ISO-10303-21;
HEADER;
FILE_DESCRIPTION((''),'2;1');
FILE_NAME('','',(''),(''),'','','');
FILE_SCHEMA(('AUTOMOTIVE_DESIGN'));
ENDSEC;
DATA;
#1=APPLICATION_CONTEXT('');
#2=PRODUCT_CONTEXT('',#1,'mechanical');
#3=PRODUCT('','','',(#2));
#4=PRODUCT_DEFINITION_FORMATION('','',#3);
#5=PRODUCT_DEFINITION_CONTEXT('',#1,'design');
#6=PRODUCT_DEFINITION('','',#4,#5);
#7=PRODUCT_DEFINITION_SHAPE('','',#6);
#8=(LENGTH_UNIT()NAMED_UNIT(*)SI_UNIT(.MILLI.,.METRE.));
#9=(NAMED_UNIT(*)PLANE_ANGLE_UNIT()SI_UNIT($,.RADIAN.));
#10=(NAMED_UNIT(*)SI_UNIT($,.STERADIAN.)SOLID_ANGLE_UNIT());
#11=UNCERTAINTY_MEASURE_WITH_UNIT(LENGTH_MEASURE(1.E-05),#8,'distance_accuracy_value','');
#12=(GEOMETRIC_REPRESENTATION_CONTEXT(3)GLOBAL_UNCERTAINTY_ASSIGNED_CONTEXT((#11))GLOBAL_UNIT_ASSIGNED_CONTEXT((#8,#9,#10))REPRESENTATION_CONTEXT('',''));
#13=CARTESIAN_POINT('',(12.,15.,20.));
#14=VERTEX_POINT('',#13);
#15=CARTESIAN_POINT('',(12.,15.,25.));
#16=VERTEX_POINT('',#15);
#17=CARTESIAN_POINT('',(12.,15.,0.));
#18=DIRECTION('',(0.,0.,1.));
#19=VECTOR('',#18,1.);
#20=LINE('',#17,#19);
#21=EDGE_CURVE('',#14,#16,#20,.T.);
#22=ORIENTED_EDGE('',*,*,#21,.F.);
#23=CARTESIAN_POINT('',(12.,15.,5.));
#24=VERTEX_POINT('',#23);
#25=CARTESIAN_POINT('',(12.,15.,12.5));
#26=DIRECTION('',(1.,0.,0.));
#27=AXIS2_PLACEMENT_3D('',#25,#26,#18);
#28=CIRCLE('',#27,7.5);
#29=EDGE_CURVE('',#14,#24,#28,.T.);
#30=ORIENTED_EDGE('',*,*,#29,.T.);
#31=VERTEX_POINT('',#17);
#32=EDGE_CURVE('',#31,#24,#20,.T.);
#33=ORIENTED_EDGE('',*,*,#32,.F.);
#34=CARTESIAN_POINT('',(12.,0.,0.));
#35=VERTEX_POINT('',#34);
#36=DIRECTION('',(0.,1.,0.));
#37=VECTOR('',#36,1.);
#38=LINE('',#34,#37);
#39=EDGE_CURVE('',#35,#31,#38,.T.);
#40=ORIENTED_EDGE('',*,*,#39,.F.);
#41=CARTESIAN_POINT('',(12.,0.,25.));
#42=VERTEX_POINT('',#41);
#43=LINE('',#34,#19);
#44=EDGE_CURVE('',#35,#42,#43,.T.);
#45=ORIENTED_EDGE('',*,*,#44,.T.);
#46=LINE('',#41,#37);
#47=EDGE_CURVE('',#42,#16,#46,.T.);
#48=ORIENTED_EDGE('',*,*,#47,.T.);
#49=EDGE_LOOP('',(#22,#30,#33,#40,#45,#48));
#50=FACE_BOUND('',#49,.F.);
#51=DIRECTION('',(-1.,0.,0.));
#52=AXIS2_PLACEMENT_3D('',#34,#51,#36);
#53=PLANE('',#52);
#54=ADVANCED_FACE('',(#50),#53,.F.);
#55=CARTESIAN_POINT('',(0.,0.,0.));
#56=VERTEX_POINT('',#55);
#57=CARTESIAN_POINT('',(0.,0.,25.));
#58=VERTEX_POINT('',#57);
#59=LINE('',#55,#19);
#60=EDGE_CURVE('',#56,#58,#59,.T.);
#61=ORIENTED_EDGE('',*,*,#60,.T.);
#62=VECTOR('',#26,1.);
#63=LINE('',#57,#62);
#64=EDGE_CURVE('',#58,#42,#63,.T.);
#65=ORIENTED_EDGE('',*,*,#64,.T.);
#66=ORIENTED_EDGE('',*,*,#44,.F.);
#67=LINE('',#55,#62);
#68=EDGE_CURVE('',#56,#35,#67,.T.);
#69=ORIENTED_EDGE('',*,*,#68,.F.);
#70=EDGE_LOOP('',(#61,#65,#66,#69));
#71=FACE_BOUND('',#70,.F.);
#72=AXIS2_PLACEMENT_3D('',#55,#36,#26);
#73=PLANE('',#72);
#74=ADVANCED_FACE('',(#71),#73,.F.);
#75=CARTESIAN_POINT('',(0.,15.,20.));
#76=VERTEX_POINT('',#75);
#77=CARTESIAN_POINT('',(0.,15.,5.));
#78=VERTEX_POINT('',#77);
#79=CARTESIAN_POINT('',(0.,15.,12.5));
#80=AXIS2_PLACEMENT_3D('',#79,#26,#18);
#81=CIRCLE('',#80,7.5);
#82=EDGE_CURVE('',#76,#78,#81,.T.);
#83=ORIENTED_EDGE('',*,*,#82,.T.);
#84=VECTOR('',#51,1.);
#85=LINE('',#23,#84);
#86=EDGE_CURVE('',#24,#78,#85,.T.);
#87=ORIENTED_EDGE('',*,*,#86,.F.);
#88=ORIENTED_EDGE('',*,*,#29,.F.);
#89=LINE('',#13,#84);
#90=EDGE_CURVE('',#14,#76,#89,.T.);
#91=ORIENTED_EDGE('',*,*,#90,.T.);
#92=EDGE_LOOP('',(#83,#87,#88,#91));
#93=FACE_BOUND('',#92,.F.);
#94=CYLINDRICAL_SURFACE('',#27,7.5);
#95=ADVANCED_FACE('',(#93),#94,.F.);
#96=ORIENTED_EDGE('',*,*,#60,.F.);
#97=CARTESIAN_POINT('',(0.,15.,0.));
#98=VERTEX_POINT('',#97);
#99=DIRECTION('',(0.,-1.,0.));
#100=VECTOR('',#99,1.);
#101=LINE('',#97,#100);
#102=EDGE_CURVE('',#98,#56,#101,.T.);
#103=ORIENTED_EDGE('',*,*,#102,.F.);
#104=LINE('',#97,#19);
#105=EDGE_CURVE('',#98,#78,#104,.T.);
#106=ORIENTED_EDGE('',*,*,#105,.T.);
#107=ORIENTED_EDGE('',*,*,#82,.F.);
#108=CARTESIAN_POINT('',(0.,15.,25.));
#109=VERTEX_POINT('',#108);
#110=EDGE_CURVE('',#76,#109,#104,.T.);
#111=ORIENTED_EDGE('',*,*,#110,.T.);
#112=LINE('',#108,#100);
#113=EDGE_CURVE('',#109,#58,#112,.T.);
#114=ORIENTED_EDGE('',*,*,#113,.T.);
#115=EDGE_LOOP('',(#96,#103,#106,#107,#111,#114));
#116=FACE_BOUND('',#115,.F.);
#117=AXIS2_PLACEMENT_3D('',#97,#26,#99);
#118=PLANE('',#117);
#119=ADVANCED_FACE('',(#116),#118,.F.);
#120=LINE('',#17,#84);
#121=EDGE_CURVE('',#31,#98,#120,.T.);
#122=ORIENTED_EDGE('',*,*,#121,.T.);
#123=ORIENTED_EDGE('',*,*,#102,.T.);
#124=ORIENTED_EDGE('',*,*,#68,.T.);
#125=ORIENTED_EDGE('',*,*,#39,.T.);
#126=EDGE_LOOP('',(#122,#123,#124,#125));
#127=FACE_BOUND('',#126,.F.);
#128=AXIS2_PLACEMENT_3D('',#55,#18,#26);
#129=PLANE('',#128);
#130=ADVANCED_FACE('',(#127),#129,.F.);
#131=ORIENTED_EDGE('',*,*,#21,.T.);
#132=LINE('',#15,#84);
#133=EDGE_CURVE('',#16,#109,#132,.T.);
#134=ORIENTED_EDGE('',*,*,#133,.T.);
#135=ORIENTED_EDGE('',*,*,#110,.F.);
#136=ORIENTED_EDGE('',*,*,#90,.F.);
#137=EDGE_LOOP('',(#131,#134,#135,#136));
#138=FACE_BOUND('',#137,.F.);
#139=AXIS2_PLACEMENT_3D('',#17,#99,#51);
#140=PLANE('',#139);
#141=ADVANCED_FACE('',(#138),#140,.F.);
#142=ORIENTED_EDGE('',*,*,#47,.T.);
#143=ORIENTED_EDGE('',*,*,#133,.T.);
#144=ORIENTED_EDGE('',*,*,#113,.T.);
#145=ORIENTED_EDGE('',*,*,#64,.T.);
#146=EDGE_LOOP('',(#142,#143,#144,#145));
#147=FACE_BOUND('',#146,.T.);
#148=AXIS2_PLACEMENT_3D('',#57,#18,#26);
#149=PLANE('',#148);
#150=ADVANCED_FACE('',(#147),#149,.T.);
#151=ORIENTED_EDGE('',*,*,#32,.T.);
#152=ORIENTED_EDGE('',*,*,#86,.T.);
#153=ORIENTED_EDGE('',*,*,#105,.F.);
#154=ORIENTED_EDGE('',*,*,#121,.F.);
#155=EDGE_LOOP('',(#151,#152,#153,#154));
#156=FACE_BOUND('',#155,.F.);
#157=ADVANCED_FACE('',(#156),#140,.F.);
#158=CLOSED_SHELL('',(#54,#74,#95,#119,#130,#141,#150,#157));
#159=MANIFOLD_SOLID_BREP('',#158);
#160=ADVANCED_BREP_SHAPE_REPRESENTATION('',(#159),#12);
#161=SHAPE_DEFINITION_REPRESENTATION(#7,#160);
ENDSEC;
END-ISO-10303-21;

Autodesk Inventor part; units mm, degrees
ref_plane "YZ Plane" through (0, 0, 0) normal (1, 0, 0) x (0, 1, 0)
ref_plane "XZ Plane" through (0, 0, 0) normal (0, 1, 0) x (-1, 0, 0)
ref_plane "XY Plane" through (0, 0, 0) normal (0, 0, 1) x (1, 0, 0)
sketch "Sketch1" plane through (0, 0, 0) normal (0, 0, 1) x (1, 0, 0)
  point P0 (0, 0)
sketch "Sketch2" plane through (0, 0, 0) normal (0, 0, 1) x (1, 0, 0)
  line L0 (0, 0) -> (12, 0)
  line L1 (12, 0) -> (12, 15)
  line L2 (12, 15) -> (0, 15)
  line L3 (0, 15) -> (0, 0)
  dimension "d0" = 12
  dimension "d1" = 15
extrude "Extrusion1" add sketch "Sketch2" along normal blind 25
sketch "Sketch3" plane through (12, 0, 0) normal (1, 0, 0) x (0, 0, -1)
  line L0 (0, 15) -> (-25, 15) projected
  line L1 (0, 0) -> (-25, 0) projected
  line L2 (-25, 15) -> (-20, 15)
  line L3 (-20, 15) -> (-20, 0)
  line L4 (-20, 0) -> (-25, 0)
  line L5 (-25, 0) -> (-25, 15)
  line L6 (0, 0) -> (0, 15) projected
  line L7 (0, 15) -> (-5, 15)
  line L8 (-5, 15) -> (-5, 0)
  line L9 (-5, 0) -> (0, 0)
  line L10 (0, 0) -> (0, 15)
  arc A0 (-20, 15) -> (-5, 15) centre (-12.5, 15) ccw
  dimension "d4" = 5
  dimension "d5" = 5
  dimension "d6" = 7.5
extrude "Extrusion2" cut sketch "Sketch3" against normal blind 25 contours A0 L0
properties part number "Top Part Ramp"
